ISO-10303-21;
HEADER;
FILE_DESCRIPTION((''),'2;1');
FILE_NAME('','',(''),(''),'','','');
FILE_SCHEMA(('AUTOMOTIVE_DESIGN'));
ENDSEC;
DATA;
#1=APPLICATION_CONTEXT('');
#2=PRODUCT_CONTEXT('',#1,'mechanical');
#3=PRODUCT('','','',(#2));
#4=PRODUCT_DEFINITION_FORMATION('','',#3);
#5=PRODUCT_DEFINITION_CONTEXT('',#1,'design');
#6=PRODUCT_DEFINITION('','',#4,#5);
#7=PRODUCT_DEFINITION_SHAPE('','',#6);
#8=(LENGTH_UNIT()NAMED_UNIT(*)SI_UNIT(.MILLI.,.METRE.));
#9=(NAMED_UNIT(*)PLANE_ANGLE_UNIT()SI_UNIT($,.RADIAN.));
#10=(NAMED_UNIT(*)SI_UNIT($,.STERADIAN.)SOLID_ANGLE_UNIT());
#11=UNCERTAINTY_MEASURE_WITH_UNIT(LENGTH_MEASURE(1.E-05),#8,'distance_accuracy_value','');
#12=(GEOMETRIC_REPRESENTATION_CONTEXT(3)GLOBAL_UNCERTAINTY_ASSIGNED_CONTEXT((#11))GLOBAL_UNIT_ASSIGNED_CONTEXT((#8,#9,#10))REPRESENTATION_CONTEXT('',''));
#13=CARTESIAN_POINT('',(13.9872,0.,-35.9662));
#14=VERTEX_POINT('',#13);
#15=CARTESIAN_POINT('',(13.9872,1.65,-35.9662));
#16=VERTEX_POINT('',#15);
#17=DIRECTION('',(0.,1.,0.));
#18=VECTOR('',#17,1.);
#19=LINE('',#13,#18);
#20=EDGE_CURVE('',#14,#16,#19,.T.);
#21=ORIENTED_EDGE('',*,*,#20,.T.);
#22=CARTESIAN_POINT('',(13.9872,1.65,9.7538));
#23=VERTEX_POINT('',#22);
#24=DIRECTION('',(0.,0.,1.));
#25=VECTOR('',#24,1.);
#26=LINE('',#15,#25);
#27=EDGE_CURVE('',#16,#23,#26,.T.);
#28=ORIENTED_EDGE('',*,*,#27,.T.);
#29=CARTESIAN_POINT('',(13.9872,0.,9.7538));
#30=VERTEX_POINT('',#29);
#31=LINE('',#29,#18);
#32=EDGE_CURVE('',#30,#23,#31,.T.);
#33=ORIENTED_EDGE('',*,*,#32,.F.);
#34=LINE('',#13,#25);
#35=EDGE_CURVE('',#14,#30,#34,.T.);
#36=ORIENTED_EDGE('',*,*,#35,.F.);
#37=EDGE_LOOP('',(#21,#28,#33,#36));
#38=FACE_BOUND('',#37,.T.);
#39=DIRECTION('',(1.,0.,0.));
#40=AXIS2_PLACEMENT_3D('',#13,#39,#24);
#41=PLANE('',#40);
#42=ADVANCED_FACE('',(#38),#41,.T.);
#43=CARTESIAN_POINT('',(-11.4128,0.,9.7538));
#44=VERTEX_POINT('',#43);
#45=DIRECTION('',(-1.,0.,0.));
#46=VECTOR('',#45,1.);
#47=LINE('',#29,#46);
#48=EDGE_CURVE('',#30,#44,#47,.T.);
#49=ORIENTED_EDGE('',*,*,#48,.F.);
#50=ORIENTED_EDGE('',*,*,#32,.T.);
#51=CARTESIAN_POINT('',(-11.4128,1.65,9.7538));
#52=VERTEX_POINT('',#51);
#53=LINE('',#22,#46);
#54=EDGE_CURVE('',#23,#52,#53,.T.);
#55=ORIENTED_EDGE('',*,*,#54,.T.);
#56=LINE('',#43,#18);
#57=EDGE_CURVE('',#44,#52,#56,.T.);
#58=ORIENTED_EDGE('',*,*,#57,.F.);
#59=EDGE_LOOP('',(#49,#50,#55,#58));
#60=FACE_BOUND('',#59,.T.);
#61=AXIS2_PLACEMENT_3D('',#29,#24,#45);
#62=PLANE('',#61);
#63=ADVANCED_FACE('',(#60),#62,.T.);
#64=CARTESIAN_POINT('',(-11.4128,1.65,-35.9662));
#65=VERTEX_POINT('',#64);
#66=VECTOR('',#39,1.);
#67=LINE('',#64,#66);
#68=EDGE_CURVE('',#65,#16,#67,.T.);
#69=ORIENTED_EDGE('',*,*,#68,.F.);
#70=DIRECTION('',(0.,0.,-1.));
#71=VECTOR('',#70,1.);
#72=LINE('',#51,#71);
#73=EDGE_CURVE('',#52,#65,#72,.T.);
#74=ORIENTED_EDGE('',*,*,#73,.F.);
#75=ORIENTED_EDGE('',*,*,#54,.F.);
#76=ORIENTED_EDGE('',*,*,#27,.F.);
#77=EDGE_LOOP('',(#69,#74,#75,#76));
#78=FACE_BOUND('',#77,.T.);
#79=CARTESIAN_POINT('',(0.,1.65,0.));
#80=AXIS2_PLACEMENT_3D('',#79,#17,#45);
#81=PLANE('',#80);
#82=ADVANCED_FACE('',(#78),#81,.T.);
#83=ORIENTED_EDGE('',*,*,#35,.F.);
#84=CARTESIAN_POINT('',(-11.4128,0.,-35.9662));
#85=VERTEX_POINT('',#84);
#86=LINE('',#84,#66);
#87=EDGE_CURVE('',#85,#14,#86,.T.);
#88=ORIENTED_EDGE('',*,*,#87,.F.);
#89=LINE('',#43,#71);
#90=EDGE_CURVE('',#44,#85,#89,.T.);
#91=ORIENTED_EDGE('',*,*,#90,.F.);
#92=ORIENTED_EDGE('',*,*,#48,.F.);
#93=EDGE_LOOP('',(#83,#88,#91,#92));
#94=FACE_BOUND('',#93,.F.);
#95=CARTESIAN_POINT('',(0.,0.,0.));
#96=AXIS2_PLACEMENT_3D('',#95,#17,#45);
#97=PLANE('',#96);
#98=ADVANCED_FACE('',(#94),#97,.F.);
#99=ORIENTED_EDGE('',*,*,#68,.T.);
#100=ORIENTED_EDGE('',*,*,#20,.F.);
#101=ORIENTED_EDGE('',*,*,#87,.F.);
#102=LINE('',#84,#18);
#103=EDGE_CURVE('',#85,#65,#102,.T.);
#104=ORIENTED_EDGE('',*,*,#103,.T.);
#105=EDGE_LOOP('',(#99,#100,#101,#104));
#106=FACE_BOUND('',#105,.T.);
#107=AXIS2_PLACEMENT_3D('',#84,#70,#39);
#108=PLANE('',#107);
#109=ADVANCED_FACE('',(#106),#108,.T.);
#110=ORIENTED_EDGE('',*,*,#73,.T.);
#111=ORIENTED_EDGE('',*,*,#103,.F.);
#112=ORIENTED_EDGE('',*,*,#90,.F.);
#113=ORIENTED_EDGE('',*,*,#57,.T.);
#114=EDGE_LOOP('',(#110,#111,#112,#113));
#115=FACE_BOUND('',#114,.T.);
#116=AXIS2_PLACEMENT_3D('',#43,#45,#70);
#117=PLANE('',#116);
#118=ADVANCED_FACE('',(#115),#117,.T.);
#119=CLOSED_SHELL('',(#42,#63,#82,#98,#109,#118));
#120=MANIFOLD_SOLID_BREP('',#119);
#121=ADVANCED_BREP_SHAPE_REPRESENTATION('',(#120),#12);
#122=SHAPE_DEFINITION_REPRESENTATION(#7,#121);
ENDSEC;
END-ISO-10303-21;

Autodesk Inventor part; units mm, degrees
ref_plane "YZ Plane" through (0, 0, 0) normal (1, 0, 0) x (0, 1, 0)
ref_plane "XZ Plane" through (0, 0, 0) normal (0, 1, 0) x (-1, 0, 0)
ref_plane "XY Plane" through (0, 0, 0) normal (0, 0, 1) x (1, 0, 0)
sketch "Sketch1" plane through (0, 0, 0) normal (0, 1, 0) x (-1, 0, 0)
  line L0 (-13.9872, 9.7538) -> (11.4128, 9.7538)
  line L1 (11.4128, 9.7538) -> (11.4128, -35.9662)
  line L2 (11.4128, -35.9662) -> (-13.9872, -35.9662)
  line L3 (-13.9872, -35.9662) -> (-13.9872, 9.7538)
  point P0 (0, 0)
  dimension "d0" = 25.4
  dimension "d1" = 45.72
extrude "Extrusion1" add sketch "Sketch1" along normal blind 1.65
properties part number "PeltierControllerBoard"
